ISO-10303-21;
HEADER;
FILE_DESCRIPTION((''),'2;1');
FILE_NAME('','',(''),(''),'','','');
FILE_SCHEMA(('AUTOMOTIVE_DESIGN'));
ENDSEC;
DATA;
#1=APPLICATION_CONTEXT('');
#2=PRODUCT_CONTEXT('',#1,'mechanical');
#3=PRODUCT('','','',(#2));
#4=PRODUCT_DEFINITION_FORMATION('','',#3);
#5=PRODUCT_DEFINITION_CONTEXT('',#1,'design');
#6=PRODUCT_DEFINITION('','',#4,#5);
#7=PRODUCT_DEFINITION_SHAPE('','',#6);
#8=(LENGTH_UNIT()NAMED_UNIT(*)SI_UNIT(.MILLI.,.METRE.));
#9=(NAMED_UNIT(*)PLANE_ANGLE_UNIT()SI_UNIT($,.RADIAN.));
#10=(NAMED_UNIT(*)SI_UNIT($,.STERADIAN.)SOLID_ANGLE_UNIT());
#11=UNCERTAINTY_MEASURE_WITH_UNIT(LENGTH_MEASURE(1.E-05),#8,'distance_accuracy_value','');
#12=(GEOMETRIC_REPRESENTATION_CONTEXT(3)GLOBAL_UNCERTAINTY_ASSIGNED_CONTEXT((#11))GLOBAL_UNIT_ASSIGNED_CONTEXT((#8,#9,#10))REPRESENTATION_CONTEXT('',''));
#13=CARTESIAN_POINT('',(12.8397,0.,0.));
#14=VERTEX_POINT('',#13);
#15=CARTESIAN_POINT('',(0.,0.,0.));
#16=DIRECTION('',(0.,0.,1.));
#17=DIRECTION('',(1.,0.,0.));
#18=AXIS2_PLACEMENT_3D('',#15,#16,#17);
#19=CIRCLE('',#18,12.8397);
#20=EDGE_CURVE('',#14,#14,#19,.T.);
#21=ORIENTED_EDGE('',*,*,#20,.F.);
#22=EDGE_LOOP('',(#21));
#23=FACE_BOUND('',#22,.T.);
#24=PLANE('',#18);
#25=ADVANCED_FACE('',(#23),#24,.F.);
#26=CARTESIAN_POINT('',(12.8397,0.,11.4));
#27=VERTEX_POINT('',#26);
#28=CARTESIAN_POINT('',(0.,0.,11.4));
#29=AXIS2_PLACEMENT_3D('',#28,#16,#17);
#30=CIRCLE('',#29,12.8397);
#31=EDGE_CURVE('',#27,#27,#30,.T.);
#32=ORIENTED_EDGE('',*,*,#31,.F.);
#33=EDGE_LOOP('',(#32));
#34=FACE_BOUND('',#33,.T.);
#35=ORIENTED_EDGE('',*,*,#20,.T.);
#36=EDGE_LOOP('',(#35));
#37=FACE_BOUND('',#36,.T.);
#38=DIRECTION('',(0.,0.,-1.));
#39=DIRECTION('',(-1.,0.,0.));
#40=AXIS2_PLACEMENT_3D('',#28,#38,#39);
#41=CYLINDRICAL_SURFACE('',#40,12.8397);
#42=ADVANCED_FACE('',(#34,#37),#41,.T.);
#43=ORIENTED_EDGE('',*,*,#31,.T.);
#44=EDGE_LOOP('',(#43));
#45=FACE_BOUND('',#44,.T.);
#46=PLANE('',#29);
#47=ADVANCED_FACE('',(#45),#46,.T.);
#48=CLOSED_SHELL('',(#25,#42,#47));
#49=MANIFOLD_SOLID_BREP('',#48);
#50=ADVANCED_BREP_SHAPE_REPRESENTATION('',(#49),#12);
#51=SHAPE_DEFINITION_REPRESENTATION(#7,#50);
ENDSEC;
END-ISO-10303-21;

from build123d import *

# Parameters (mm, degrees)
SKETCH1_R           = 12.8397
BOSS_EXTRUDE1_DEPTH = 11.4


with BuildPart() as part:
    # Sketch1 → Boss-Extrude1 (new body)
    with BuildSketch(Plane.XY):
        Circle(SKETCH1_R)
    extrude(amount=BOSS_EXTRUDE1_DEPTH)


solid = part.part
